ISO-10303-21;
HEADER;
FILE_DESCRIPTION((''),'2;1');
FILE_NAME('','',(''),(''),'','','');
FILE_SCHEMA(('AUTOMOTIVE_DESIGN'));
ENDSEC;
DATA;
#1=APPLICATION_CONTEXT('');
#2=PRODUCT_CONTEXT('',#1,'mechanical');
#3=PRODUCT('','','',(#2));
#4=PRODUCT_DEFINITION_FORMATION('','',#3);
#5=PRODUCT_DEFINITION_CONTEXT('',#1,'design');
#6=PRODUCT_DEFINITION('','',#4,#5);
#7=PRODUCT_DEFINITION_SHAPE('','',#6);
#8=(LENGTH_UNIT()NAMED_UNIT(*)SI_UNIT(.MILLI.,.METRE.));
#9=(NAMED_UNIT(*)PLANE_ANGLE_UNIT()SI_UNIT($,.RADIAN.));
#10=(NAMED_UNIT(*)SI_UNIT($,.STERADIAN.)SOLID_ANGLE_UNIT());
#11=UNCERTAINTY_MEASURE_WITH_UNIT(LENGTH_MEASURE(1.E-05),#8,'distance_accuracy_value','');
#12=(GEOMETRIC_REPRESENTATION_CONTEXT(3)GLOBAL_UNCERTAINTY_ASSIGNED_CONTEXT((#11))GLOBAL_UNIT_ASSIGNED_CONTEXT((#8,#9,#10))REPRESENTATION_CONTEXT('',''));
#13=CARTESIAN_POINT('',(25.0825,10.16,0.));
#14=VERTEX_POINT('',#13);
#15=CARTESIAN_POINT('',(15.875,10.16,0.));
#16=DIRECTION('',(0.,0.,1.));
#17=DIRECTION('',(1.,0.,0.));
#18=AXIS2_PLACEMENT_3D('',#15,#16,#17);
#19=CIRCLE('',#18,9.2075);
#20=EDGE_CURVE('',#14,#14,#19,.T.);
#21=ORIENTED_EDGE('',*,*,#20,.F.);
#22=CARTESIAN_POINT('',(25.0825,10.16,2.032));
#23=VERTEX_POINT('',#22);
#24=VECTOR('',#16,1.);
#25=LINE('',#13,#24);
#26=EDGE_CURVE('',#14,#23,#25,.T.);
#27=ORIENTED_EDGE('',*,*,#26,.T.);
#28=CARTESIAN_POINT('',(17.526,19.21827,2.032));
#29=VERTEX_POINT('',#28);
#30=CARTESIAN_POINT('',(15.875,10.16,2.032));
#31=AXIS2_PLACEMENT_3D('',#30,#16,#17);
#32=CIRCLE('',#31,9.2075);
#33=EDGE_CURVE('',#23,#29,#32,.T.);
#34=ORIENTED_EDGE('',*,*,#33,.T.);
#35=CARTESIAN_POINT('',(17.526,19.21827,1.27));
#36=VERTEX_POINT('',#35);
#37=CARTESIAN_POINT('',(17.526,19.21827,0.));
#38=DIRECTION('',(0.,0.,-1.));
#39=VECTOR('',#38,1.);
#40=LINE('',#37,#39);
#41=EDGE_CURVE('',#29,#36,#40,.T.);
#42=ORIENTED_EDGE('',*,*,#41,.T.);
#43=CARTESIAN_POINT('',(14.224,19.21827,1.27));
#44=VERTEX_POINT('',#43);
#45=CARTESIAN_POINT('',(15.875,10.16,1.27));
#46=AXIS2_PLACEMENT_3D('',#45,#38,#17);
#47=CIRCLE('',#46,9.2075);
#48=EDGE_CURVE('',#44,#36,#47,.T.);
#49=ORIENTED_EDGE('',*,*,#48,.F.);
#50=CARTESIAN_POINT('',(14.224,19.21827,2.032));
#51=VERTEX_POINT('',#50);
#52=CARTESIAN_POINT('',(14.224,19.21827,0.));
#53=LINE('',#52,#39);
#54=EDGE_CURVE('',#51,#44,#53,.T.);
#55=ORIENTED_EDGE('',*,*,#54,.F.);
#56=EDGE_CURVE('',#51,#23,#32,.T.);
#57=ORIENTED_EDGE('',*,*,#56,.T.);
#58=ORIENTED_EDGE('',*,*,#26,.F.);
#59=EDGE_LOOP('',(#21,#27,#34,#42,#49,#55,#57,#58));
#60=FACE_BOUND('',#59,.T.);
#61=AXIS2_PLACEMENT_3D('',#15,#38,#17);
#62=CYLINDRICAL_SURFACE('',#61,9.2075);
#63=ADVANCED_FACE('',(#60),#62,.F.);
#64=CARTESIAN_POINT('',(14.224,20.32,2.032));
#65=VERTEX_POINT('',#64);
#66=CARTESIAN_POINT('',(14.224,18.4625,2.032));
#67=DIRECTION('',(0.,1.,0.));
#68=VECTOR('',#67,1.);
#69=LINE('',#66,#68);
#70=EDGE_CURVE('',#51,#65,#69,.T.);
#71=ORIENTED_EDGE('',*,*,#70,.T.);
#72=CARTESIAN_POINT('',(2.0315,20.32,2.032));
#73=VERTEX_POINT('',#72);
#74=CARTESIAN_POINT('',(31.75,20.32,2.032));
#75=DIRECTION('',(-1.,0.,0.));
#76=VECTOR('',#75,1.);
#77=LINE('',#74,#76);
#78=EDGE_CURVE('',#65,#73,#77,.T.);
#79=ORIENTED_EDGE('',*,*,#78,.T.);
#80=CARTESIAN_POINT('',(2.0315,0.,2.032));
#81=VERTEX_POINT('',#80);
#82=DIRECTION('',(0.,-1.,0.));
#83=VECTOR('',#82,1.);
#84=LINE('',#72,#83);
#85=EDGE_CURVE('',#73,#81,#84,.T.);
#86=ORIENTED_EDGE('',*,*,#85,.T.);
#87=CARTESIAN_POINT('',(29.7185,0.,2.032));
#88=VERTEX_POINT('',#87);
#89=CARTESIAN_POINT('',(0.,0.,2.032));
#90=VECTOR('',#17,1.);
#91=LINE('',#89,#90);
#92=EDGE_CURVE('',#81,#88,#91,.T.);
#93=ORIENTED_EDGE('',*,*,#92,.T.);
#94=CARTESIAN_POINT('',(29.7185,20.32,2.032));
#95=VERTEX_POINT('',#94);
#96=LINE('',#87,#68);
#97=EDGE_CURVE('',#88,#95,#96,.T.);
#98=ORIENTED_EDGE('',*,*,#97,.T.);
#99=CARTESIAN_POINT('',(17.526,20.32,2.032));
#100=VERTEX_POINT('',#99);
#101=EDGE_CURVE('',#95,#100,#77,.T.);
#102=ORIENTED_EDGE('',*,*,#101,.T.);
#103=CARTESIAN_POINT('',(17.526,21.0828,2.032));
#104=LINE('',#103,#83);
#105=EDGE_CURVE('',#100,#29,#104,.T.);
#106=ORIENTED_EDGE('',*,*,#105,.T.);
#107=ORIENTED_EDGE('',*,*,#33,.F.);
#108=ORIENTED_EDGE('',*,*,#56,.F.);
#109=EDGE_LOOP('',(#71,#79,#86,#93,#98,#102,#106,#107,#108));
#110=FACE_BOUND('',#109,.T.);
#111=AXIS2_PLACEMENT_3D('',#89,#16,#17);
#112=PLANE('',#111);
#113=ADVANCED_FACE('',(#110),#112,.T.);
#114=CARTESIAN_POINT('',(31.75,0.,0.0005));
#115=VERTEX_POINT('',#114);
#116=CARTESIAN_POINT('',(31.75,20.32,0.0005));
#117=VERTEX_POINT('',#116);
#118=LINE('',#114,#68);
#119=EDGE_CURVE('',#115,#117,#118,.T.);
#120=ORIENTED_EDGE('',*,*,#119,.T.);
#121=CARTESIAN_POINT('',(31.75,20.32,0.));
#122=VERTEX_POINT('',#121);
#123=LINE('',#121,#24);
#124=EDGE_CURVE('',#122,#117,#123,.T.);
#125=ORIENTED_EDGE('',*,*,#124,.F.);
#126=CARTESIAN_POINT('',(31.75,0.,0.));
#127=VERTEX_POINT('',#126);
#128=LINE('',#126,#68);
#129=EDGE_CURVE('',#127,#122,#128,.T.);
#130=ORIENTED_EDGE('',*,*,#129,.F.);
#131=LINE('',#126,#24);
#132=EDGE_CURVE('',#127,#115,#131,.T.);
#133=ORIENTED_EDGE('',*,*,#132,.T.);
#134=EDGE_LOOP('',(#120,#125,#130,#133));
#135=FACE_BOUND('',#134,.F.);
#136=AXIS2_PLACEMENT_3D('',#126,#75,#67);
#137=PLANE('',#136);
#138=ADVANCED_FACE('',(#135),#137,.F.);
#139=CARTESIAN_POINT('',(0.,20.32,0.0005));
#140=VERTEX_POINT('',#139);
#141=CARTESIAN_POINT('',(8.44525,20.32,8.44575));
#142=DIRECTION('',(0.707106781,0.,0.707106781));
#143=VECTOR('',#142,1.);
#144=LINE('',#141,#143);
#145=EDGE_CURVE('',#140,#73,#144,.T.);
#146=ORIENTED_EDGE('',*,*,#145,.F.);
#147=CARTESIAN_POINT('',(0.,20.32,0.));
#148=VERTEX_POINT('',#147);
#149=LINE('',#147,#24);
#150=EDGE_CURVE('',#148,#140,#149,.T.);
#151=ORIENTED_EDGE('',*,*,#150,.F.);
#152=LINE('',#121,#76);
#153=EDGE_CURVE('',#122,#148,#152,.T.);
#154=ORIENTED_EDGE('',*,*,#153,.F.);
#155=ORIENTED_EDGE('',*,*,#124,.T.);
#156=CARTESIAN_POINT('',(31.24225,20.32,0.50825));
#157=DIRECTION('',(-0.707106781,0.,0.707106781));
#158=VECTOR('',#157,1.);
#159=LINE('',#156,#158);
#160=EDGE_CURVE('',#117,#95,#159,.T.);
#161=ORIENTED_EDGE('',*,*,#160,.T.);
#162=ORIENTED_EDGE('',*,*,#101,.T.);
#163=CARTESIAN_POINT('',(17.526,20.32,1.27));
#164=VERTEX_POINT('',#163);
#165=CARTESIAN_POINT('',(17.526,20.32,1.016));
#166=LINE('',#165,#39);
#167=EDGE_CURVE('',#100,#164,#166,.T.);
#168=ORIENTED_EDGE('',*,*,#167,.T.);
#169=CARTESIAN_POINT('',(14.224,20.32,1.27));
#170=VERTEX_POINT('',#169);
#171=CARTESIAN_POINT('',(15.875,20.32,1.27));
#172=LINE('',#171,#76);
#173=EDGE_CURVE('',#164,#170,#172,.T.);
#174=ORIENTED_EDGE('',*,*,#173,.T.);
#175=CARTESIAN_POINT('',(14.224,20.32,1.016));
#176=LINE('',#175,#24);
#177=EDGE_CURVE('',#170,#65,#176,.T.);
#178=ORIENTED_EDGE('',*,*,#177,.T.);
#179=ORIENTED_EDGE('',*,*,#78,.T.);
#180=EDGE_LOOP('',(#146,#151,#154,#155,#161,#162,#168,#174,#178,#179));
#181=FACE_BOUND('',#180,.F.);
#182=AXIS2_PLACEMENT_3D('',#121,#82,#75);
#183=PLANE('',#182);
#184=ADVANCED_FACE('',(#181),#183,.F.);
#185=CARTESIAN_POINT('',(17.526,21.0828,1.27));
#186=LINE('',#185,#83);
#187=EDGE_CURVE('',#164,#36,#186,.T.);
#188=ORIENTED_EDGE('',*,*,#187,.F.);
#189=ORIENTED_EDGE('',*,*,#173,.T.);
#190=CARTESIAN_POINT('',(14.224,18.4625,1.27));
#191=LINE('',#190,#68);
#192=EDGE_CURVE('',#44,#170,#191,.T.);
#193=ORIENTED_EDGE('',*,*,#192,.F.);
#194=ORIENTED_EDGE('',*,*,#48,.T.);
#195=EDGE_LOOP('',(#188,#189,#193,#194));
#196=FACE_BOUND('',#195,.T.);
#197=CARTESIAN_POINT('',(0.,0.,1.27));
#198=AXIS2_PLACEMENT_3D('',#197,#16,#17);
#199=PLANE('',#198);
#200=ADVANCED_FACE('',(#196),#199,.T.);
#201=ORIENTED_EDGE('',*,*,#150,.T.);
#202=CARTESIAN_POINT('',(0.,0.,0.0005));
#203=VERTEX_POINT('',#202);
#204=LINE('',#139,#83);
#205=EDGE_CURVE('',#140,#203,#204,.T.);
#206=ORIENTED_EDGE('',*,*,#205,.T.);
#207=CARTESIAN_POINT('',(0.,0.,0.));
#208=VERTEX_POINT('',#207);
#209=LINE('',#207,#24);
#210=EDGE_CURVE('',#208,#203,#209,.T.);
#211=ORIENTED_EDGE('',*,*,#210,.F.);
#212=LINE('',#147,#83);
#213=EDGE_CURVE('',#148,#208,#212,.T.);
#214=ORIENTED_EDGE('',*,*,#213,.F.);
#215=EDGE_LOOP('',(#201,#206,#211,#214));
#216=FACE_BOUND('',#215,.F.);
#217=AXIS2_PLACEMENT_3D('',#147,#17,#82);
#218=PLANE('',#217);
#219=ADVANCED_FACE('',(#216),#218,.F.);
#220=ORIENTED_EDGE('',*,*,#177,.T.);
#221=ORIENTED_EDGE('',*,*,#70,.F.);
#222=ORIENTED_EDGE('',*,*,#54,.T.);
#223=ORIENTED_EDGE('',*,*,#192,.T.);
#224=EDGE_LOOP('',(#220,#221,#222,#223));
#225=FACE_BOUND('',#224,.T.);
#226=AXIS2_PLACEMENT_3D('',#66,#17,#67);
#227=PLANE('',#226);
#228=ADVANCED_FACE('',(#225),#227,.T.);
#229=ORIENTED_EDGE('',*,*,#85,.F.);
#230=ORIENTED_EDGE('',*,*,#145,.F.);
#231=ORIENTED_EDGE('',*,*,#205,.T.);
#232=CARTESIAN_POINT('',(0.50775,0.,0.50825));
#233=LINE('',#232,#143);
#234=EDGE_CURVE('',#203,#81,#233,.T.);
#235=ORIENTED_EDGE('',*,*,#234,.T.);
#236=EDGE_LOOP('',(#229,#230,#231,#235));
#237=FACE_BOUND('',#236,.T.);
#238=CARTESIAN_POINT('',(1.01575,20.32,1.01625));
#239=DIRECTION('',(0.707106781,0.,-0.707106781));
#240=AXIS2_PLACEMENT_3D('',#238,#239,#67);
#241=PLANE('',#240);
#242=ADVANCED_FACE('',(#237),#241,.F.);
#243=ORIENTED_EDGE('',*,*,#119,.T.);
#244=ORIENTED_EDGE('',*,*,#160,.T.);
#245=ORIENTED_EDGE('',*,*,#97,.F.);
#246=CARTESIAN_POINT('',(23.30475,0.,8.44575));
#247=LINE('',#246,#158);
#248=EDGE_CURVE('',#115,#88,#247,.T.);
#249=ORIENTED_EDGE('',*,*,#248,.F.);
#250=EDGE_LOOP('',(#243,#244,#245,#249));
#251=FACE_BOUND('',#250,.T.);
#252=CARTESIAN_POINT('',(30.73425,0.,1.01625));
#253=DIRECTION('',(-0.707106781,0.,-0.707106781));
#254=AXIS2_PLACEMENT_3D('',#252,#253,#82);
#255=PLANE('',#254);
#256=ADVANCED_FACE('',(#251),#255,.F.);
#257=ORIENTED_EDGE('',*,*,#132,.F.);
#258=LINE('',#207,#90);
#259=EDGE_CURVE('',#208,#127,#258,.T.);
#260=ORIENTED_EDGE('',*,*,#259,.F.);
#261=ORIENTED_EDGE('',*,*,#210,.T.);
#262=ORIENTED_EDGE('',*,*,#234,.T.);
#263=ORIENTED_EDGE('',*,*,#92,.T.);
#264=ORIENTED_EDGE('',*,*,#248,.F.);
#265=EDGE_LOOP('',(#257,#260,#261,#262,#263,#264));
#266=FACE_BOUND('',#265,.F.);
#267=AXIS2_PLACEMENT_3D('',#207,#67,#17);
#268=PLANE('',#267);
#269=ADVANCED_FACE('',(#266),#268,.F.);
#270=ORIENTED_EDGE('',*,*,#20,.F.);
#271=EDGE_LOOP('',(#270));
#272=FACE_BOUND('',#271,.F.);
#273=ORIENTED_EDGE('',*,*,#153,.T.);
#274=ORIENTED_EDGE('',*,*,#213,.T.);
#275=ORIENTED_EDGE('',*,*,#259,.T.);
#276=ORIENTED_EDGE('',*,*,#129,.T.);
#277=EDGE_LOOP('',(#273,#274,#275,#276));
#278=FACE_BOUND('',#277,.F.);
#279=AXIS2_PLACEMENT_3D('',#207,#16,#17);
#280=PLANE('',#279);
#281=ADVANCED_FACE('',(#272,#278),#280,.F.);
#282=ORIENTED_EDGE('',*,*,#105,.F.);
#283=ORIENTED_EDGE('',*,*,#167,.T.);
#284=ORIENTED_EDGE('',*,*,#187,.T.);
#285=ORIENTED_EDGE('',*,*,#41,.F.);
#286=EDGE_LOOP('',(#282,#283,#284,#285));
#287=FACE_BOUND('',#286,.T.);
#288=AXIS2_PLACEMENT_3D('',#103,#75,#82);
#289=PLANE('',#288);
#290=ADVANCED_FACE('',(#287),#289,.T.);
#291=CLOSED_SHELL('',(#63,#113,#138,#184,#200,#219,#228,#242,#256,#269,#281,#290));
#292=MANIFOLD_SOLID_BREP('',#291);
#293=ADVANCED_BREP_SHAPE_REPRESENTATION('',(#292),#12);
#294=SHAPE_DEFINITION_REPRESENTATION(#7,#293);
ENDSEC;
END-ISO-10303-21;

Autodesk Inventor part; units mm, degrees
ref_plane "YZ Plane" through (0, 0, 0) normal (1, 0, 0) x (0, 1, 0)
ref_plane "XZ Plane" through (0, 0, 0) normal (0, 1, 0) x (-1, 0, 0)
ref_plane "XY Plane" through (0, 0, 0) normal (0, 0, 1) x (1, 0, 0)
sketch "Sketch1" plane through (0, 0, 0) normal (0, 0, 1) x (1, 0, 0)
  line L0 (0, 0) -> (31.75, 0)
  line L1 (31.75, 0) -> (31.75, 20.32)
  line L2 (31.75, 20.32) -> (0, 20.32)
  line L3 (0, 20.32) -> (0, 0)
  circle A0 centre (15.875, 10.16) radius 9.2075
  dimension "d0" = 20.32
  dimension "d1" = 31.75
  dimension "d2" = 15.875
  dimension "d3" = 15.875
  dimension "d4" = 10.16
  dimension "d5" = 10.16
  dimension "d6" = 18.415
extrude "Extrusion1" add sketch "Sketch1" along normal blind 2.032
chamfer "Chamfer2" distance 2.032 angle 45 2 edges at (0, 10.16, 2.032) (31.75, 10.16, 2.032)
sketch "Sketch2" plane through (0, 0, 2.032) normal (0, 0, 1) x (1, 0, 0)
  line L0 (14.224, 21.0828) -> (17.526, 21.0828)
  line L1 (17.526, 21.0828) -> (17.526, 18.4625)
  line L2 (17.526, 18.4625) -> (14.224, 18.4625)
  line L3 (14.224, 18.4625) -> (14.224, 21.0828)
  line L4 (2.032, 0) -> (2.032, 20.32) projected
  line L5 (29.718, 20.32) -> (29.718, 0) projected
  point P0 (0, 0)
  point P1 (14.224, 19.7726)
  dimension "d15" = 12.192
  dimension "d16" = 12.192
extrude "Extrusion2" cut sketch "Sketch2" against normal blind 0.762
properties part number "org_case_psu_connector"
